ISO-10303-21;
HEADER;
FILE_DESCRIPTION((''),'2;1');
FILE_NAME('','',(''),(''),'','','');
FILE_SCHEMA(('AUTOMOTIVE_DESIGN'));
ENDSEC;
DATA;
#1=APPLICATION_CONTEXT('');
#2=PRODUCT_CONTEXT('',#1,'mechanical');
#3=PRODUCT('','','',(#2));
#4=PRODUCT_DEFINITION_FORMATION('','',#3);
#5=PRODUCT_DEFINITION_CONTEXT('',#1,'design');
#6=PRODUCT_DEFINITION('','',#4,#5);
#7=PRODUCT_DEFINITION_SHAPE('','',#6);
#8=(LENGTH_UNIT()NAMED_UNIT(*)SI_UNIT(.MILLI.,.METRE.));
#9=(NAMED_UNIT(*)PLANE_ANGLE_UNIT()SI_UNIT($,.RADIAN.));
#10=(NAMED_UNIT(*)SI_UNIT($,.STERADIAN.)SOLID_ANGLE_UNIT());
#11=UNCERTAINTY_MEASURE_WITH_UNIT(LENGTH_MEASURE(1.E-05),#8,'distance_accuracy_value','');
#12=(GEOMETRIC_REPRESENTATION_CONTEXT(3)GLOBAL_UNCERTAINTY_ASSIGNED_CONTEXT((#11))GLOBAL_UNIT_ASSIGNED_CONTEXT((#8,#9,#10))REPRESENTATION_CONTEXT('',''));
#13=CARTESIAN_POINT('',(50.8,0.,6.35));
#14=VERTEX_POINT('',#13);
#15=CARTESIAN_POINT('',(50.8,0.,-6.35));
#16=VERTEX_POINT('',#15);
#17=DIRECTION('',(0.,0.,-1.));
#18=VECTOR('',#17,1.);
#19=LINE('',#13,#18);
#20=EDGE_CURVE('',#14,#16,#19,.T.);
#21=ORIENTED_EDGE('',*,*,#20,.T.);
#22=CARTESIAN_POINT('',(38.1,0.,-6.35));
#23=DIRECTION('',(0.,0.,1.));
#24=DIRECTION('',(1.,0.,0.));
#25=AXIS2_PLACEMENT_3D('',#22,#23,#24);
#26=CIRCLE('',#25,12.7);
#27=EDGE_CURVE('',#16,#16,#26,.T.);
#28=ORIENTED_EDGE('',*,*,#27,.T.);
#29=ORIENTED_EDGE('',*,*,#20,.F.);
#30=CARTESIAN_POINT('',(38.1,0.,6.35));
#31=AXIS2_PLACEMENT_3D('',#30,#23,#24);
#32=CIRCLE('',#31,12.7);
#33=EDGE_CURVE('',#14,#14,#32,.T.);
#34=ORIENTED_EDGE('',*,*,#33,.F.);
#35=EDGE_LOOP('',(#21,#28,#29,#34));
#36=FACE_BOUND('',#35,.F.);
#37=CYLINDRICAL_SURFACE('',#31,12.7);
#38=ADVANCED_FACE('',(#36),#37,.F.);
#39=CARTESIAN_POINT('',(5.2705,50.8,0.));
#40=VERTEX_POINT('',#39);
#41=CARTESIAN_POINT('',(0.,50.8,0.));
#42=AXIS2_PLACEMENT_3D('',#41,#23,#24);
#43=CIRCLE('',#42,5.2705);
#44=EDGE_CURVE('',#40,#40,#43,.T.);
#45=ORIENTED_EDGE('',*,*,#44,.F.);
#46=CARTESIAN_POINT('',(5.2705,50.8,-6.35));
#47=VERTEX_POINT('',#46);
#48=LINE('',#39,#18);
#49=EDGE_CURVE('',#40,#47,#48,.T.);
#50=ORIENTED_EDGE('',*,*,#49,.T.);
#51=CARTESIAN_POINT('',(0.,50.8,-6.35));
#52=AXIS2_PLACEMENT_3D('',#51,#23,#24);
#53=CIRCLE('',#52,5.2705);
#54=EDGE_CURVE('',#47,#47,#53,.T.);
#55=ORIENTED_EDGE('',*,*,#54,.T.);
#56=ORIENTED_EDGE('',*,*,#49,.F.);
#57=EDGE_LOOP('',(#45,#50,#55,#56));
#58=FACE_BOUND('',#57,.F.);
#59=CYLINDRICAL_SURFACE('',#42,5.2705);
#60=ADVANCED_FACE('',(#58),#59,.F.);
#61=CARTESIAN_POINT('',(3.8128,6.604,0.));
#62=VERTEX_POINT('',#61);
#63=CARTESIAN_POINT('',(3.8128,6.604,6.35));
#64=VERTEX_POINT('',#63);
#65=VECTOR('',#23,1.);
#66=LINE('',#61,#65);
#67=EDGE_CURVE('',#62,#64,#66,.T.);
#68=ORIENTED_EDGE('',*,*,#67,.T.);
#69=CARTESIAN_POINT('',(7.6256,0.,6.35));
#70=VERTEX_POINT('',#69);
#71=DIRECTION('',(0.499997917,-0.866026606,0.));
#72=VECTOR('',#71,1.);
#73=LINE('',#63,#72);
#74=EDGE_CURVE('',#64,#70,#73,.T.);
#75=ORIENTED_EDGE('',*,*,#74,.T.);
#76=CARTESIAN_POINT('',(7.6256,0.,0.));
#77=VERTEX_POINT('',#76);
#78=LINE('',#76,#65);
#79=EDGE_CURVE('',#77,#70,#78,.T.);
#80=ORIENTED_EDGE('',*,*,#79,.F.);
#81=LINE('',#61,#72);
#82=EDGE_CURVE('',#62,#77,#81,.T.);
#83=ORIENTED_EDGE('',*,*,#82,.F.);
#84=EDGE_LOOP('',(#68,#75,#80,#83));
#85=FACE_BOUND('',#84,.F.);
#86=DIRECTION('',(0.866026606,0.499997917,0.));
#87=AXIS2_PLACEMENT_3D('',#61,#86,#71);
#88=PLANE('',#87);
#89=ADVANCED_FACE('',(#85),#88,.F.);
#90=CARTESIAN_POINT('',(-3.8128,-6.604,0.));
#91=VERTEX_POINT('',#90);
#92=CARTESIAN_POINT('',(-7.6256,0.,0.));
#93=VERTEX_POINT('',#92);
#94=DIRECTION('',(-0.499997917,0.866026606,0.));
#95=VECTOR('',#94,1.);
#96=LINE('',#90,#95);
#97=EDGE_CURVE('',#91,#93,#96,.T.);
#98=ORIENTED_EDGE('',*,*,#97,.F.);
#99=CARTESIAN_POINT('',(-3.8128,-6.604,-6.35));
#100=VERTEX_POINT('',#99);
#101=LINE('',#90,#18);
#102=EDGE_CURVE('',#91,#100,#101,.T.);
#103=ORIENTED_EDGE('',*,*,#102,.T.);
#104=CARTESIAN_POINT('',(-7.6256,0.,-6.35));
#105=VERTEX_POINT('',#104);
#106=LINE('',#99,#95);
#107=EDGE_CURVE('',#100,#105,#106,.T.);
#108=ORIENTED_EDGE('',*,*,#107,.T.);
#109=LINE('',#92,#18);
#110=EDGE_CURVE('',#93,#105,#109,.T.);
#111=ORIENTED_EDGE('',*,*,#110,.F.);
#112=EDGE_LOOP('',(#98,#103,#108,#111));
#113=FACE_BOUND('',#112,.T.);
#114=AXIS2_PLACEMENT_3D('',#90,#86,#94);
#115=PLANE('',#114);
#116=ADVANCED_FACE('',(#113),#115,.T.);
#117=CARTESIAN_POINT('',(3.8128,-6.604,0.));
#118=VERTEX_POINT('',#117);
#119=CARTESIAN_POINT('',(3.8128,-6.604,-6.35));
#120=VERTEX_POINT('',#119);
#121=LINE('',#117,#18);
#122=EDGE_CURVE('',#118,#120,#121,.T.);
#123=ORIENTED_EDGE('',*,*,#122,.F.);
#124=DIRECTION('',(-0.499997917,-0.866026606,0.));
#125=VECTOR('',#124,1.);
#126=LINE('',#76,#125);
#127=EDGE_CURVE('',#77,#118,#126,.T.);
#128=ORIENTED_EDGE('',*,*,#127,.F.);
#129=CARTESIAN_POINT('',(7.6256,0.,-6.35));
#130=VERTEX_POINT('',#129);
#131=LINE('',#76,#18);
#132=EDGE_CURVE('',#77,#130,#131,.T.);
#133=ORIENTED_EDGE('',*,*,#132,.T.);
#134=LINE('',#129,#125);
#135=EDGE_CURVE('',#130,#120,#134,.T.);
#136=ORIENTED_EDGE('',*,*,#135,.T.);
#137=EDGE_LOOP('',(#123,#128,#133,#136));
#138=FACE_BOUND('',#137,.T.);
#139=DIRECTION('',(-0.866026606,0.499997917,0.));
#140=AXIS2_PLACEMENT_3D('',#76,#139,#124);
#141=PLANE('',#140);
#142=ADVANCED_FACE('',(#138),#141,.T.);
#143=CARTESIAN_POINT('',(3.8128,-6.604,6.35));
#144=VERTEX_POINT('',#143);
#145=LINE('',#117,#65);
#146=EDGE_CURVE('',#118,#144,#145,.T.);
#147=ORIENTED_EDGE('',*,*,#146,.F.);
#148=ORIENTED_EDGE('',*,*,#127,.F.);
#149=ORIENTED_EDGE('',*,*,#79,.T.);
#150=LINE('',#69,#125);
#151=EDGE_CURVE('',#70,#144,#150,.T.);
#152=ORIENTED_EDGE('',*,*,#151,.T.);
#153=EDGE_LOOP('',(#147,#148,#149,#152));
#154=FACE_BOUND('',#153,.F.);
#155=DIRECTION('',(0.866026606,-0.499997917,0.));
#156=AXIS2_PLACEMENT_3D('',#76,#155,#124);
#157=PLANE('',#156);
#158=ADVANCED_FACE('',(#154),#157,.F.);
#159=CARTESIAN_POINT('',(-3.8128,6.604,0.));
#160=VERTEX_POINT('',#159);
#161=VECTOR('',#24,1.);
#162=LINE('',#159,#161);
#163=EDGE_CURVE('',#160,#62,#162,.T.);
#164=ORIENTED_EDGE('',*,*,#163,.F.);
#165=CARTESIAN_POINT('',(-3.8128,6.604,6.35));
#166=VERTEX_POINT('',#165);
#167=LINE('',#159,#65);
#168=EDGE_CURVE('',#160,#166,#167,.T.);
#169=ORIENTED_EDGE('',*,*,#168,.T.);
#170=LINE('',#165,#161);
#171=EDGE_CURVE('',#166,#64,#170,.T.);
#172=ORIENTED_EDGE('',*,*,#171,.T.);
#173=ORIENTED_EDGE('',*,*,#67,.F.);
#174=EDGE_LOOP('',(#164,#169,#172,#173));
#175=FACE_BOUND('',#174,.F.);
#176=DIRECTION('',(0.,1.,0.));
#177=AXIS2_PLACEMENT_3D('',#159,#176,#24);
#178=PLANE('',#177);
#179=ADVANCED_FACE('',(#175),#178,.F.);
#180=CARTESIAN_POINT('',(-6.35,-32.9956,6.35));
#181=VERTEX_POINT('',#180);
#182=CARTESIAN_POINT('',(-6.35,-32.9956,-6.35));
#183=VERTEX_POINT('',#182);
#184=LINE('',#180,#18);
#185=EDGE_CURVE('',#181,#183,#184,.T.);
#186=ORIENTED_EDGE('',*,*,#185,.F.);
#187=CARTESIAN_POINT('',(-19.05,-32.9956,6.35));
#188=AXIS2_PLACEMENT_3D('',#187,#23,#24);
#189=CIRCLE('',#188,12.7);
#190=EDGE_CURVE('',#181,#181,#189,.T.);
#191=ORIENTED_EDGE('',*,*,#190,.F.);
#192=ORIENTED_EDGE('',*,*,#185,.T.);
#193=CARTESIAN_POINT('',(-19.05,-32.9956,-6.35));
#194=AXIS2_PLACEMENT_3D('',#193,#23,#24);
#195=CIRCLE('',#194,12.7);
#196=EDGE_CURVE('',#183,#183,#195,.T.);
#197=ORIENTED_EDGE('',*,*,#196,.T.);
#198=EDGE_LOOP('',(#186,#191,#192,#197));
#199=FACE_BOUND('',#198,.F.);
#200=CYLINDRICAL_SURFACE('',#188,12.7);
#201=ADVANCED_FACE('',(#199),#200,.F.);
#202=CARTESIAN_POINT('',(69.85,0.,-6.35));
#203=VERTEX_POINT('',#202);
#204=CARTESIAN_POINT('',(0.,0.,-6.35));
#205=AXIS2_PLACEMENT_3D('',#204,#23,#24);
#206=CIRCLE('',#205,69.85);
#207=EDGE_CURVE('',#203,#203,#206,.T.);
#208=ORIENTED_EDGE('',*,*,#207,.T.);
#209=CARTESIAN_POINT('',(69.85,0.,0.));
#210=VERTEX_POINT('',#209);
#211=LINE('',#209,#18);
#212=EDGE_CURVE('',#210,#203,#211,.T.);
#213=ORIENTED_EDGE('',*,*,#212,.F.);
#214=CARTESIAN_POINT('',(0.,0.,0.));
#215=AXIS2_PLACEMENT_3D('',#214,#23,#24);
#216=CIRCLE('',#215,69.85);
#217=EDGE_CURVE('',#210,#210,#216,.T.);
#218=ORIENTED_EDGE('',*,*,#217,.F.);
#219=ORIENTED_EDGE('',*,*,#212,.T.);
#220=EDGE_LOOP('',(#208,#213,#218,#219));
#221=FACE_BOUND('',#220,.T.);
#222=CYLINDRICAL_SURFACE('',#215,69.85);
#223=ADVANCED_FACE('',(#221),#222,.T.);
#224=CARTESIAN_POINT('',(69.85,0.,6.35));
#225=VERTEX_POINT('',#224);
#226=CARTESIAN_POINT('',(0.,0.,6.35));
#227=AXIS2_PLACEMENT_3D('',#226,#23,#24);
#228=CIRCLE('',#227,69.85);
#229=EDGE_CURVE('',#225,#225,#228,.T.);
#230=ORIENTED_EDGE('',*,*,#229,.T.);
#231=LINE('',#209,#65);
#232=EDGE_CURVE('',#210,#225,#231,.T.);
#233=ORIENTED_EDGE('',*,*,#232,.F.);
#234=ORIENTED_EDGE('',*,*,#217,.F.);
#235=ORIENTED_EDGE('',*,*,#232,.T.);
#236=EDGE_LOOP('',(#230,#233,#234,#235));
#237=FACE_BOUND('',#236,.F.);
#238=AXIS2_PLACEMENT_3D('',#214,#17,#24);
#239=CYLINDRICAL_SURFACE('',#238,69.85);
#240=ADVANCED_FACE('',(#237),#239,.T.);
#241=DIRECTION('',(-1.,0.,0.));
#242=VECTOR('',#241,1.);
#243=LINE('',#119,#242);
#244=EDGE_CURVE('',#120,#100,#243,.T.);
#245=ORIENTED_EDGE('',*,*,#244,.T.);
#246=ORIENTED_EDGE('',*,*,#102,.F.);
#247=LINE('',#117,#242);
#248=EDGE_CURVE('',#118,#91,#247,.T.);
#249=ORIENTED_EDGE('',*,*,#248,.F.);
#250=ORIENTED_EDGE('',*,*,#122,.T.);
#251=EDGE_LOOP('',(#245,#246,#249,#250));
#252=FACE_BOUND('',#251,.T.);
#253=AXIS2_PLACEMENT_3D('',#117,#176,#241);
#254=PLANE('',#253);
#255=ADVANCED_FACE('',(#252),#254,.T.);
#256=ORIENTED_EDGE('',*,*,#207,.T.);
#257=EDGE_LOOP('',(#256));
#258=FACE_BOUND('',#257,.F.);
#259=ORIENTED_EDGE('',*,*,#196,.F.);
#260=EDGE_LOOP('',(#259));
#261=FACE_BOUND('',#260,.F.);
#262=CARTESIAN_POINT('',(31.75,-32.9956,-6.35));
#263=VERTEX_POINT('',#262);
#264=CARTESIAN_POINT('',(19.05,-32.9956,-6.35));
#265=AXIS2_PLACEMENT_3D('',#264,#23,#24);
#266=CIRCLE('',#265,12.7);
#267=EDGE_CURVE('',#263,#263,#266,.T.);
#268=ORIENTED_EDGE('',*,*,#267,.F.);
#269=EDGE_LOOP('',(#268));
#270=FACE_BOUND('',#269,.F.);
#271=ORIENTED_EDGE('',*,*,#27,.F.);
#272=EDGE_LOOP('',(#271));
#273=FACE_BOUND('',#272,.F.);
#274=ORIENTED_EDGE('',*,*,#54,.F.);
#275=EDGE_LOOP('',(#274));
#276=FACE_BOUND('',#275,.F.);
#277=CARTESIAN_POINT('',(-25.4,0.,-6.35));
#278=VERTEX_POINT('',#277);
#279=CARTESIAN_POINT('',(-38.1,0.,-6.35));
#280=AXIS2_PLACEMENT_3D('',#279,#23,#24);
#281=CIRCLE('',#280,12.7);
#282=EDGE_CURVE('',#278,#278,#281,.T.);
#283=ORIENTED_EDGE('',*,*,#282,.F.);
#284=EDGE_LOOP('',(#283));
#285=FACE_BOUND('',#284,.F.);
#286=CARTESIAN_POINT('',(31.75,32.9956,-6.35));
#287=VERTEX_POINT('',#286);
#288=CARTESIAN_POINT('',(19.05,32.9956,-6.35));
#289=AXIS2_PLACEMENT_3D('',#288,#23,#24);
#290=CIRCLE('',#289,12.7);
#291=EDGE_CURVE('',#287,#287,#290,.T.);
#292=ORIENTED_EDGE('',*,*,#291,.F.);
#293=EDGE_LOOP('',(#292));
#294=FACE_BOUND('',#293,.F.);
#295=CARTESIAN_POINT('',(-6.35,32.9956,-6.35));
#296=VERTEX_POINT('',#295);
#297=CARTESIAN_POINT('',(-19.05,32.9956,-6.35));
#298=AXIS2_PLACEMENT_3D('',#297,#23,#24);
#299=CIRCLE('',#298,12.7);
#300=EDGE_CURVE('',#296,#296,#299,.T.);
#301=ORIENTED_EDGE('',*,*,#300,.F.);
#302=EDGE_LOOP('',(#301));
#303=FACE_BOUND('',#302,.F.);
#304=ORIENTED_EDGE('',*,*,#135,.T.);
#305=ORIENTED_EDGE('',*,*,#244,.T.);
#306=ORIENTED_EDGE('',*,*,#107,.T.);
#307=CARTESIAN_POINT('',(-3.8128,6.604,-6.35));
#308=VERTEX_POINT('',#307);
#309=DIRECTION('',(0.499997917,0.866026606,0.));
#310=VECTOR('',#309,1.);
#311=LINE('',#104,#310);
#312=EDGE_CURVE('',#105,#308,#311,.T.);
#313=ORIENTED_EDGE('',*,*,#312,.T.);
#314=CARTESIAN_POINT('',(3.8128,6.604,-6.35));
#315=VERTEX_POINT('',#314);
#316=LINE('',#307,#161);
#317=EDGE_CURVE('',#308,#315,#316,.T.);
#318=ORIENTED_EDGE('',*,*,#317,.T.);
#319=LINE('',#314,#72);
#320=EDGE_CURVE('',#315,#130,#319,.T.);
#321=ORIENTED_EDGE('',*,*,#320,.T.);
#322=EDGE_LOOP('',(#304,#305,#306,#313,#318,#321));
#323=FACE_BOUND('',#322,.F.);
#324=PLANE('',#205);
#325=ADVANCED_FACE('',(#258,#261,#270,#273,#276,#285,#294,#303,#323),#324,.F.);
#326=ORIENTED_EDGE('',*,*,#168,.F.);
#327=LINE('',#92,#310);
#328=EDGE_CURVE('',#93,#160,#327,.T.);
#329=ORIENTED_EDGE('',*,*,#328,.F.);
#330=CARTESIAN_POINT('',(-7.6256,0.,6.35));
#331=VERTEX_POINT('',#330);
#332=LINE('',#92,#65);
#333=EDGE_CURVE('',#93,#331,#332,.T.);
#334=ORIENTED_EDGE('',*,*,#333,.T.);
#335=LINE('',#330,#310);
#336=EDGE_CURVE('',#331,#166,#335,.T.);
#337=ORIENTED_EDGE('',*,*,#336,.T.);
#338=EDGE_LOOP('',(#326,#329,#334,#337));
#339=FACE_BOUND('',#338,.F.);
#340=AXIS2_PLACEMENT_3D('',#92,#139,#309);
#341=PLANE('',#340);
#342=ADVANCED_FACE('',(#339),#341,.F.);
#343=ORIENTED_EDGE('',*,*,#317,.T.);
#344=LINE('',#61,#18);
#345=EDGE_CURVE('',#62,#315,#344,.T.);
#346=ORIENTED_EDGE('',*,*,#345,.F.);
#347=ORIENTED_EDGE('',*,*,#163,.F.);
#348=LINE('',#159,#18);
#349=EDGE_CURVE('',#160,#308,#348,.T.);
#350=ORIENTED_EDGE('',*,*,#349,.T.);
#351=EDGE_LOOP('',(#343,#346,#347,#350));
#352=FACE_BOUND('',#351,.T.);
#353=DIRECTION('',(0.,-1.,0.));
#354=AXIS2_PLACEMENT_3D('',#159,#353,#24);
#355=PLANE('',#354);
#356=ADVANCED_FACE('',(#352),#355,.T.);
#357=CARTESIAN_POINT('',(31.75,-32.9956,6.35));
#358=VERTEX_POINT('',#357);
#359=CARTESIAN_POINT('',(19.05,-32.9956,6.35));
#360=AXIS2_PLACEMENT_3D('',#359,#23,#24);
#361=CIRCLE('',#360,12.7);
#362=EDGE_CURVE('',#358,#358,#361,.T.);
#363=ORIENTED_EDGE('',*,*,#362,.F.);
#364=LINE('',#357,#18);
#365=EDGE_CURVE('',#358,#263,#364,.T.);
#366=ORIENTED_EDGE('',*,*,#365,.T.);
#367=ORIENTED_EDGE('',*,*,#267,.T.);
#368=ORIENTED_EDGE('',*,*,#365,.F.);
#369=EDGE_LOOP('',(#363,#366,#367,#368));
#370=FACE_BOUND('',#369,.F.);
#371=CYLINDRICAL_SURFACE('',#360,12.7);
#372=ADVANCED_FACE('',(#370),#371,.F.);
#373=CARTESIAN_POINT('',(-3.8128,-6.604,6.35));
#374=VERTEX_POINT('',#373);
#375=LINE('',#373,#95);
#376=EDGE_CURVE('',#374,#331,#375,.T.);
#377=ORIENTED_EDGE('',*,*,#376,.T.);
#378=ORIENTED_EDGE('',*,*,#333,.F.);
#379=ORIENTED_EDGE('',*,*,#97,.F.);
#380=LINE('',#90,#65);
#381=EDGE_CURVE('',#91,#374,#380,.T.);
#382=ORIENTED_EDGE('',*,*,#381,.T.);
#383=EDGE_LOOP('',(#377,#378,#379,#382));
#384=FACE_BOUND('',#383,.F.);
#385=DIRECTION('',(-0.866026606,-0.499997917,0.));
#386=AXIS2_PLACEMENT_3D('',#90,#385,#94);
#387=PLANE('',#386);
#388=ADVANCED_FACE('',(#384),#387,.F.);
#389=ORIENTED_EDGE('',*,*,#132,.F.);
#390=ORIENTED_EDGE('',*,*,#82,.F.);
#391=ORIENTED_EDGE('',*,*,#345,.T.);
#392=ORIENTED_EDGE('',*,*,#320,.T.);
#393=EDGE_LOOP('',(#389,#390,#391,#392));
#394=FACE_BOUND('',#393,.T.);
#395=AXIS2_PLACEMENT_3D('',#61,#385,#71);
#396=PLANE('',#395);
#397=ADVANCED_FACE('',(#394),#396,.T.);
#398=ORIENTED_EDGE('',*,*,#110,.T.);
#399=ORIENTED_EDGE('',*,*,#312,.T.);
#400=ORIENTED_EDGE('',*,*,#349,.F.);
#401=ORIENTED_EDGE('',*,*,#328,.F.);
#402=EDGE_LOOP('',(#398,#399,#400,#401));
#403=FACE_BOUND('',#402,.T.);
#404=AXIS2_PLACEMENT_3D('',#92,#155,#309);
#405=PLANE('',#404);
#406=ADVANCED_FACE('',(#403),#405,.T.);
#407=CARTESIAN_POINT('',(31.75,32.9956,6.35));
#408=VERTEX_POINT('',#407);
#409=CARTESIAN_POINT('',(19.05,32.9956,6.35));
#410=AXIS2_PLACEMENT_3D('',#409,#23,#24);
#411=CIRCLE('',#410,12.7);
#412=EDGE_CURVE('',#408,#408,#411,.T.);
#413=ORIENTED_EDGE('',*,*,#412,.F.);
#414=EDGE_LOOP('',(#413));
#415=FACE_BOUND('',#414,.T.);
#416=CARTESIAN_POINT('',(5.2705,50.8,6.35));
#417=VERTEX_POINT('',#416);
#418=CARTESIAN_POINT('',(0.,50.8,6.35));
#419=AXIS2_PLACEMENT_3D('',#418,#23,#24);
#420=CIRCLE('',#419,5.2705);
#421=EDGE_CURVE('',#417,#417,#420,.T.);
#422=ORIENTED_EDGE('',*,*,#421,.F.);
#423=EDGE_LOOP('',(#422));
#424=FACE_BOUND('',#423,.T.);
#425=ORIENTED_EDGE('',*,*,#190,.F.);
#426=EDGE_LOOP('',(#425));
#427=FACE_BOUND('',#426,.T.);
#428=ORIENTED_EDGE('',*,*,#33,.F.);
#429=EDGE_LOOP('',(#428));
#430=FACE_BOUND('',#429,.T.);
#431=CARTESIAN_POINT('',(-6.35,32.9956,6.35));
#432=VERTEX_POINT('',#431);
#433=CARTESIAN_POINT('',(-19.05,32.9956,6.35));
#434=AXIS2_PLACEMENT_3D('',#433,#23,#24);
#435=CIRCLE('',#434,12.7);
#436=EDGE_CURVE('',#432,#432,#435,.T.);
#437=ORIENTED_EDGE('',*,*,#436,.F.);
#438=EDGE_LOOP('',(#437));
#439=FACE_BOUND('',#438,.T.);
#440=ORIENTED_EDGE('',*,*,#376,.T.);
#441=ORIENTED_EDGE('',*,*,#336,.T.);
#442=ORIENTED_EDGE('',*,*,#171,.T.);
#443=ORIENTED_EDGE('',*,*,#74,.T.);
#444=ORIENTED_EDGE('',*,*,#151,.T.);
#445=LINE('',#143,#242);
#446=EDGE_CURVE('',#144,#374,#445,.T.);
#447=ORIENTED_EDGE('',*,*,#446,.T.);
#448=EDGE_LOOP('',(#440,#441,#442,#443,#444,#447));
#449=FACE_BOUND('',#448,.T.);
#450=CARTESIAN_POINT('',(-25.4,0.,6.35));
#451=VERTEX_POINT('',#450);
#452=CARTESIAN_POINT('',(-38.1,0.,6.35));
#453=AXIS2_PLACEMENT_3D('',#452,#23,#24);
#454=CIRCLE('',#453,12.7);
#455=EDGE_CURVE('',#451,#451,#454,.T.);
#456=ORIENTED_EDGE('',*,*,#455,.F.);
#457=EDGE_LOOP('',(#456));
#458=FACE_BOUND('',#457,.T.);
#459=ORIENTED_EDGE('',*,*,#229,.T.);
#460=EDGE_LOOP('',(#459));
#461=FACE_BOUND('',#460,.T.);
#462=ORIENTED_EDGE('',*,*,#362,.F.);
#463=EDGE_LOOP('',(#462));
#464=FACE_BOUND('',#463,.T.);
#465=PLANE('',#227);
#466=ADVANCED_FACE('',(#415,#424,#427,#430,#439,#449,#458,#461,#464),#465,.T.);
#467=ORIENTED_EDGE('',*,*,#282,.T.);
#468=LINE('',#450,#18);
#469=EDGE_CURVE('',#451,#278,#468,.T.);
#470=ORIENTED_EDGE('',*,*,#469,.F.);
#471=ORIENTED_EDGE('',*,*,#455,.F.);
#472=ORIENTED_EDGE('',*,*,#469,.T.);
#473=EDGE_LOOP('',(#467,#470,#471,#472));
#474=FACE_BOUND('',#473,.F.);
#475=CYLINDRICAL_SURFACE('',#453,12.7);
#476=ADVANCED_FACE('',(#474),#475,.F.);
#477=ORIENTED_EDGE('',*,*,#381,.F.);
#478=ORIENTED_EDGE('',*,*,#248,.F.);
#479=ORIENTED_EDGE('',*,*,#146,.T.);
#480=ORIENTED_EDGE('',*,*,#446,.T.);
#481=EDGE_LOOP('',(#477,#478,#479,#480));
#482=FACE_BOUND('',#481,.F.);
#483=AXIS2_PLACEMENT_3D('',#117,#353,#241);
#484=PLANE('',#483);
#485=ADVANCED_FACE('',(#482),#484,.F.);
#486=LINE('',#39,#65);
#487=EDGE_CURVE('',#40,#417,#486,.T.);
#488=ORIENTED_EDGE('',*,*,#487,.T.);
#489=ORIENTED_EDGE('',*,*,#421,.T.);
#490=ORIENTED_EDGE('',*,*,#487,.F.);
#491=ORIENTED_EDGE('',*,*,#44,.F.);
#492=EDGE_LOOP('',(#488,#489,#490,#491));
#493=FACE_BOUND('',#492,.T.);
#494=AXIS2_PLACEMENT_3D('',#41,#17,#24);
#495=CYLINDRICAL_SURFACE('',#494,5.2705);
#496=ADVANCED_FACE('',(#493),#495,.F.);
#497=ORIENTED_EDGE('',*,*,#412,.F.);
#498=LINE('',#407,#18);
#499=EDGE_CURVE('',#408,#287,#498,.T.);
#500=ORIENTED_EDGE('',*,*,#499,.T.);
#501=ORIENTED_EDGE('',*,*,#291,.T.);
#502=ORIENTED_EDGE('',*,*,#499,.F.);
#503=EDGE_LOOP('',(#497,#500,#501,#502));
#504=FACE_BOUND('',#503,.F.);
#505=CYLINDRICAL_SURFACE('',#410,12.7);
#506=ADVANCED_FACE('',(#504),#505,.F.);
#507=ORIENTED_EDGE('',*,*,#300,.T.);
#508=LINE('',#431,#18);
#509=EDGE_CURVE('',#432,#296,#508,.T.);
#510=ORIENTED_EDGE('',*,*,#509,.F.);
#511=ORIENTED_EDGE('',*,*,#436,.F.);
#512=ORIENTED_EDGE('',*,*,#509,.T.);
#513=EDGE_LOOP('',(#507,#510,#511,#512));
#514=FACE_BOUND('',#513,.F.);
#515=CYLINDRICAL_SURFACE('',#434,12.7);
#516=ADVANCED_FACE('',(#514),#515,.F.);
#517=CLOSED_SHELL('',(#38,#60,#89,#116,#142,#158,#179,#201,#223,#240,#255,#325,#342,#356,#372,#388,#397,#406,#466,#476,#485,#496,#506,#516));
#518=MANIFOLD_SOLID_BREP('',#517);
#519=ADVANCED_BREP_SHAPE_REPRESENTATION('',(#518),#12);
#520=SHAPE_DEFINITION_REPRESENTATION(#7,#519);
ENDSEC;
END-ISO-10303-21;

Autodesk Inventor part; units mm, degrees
ref_plane "YZ Plane" through (0, 0, 0) normal (1, 0, 0) x (0, 1, 0)
ref_plane "XZ Plane" through (0, 0, 0) normal (0, 1, 0) x (-1, 0, 0)
ref_plane "XY Plane" through (0, 0, 0) normal (0, 0, 1) x (1, 0, 0)
sketch "Sketch1" plane through (0, 0, 0) normal (0, 0, 1) x (1, 0, 0)
  circle A0 centre (0, 0) radius 69.85
  line L0 (7.6256, 0) -> (3.8128, -6.604)
  line L1 (3.8128, -6.604) -> (-3.8128, -6.604)
  line L2 (-3.8128, -6.604) -> (-7.6256, 0)
  line L3 (-7.6256, 0) -> (-3.8128, 6.604)
  line L4 (-3.8128, 6.604) -> (3.8128, 6.604)
  line L5 (3.8128, 6.604) -> (7.6256, 0)
  circle A1 centre (0, 50.8) radius 5.2705
  dimension "d0" = 139.7
  dimension "d1" = 13.208
  dimension "d2" = 10.541
  dimension "d5" = 50.8
extrude "Extrusion1" add sketch "Sketch1" along normal mid plane 12.7
sketch "Sketch2" plane through (0, 0, 6.35) normal (0, 0, 1) x (1, 0, 0)
  circle A0 centre (-38.1, 0) radius 12.7
  circle A1 centre (-19.05, -32.9956) radius 12.7
  circle A2 centre (19.05, -32.9956) radius 12.7
  circle A3 centre (38.1, 0) radius 12.7
  circle A4 centre (19.05, 32.9956) radius 12.7
  circle A5 centre (-19.05, 32.9956) radius 12.7
  point P0 (0, 0)
  dimension "d6" = 25.4
  dimension "d7" = 38.1
  dimension "d10" = 360
extrude "Extrusion2" cut sketch "Sketch2" against normal through all
properties part number "driveForPiston-4-in"
